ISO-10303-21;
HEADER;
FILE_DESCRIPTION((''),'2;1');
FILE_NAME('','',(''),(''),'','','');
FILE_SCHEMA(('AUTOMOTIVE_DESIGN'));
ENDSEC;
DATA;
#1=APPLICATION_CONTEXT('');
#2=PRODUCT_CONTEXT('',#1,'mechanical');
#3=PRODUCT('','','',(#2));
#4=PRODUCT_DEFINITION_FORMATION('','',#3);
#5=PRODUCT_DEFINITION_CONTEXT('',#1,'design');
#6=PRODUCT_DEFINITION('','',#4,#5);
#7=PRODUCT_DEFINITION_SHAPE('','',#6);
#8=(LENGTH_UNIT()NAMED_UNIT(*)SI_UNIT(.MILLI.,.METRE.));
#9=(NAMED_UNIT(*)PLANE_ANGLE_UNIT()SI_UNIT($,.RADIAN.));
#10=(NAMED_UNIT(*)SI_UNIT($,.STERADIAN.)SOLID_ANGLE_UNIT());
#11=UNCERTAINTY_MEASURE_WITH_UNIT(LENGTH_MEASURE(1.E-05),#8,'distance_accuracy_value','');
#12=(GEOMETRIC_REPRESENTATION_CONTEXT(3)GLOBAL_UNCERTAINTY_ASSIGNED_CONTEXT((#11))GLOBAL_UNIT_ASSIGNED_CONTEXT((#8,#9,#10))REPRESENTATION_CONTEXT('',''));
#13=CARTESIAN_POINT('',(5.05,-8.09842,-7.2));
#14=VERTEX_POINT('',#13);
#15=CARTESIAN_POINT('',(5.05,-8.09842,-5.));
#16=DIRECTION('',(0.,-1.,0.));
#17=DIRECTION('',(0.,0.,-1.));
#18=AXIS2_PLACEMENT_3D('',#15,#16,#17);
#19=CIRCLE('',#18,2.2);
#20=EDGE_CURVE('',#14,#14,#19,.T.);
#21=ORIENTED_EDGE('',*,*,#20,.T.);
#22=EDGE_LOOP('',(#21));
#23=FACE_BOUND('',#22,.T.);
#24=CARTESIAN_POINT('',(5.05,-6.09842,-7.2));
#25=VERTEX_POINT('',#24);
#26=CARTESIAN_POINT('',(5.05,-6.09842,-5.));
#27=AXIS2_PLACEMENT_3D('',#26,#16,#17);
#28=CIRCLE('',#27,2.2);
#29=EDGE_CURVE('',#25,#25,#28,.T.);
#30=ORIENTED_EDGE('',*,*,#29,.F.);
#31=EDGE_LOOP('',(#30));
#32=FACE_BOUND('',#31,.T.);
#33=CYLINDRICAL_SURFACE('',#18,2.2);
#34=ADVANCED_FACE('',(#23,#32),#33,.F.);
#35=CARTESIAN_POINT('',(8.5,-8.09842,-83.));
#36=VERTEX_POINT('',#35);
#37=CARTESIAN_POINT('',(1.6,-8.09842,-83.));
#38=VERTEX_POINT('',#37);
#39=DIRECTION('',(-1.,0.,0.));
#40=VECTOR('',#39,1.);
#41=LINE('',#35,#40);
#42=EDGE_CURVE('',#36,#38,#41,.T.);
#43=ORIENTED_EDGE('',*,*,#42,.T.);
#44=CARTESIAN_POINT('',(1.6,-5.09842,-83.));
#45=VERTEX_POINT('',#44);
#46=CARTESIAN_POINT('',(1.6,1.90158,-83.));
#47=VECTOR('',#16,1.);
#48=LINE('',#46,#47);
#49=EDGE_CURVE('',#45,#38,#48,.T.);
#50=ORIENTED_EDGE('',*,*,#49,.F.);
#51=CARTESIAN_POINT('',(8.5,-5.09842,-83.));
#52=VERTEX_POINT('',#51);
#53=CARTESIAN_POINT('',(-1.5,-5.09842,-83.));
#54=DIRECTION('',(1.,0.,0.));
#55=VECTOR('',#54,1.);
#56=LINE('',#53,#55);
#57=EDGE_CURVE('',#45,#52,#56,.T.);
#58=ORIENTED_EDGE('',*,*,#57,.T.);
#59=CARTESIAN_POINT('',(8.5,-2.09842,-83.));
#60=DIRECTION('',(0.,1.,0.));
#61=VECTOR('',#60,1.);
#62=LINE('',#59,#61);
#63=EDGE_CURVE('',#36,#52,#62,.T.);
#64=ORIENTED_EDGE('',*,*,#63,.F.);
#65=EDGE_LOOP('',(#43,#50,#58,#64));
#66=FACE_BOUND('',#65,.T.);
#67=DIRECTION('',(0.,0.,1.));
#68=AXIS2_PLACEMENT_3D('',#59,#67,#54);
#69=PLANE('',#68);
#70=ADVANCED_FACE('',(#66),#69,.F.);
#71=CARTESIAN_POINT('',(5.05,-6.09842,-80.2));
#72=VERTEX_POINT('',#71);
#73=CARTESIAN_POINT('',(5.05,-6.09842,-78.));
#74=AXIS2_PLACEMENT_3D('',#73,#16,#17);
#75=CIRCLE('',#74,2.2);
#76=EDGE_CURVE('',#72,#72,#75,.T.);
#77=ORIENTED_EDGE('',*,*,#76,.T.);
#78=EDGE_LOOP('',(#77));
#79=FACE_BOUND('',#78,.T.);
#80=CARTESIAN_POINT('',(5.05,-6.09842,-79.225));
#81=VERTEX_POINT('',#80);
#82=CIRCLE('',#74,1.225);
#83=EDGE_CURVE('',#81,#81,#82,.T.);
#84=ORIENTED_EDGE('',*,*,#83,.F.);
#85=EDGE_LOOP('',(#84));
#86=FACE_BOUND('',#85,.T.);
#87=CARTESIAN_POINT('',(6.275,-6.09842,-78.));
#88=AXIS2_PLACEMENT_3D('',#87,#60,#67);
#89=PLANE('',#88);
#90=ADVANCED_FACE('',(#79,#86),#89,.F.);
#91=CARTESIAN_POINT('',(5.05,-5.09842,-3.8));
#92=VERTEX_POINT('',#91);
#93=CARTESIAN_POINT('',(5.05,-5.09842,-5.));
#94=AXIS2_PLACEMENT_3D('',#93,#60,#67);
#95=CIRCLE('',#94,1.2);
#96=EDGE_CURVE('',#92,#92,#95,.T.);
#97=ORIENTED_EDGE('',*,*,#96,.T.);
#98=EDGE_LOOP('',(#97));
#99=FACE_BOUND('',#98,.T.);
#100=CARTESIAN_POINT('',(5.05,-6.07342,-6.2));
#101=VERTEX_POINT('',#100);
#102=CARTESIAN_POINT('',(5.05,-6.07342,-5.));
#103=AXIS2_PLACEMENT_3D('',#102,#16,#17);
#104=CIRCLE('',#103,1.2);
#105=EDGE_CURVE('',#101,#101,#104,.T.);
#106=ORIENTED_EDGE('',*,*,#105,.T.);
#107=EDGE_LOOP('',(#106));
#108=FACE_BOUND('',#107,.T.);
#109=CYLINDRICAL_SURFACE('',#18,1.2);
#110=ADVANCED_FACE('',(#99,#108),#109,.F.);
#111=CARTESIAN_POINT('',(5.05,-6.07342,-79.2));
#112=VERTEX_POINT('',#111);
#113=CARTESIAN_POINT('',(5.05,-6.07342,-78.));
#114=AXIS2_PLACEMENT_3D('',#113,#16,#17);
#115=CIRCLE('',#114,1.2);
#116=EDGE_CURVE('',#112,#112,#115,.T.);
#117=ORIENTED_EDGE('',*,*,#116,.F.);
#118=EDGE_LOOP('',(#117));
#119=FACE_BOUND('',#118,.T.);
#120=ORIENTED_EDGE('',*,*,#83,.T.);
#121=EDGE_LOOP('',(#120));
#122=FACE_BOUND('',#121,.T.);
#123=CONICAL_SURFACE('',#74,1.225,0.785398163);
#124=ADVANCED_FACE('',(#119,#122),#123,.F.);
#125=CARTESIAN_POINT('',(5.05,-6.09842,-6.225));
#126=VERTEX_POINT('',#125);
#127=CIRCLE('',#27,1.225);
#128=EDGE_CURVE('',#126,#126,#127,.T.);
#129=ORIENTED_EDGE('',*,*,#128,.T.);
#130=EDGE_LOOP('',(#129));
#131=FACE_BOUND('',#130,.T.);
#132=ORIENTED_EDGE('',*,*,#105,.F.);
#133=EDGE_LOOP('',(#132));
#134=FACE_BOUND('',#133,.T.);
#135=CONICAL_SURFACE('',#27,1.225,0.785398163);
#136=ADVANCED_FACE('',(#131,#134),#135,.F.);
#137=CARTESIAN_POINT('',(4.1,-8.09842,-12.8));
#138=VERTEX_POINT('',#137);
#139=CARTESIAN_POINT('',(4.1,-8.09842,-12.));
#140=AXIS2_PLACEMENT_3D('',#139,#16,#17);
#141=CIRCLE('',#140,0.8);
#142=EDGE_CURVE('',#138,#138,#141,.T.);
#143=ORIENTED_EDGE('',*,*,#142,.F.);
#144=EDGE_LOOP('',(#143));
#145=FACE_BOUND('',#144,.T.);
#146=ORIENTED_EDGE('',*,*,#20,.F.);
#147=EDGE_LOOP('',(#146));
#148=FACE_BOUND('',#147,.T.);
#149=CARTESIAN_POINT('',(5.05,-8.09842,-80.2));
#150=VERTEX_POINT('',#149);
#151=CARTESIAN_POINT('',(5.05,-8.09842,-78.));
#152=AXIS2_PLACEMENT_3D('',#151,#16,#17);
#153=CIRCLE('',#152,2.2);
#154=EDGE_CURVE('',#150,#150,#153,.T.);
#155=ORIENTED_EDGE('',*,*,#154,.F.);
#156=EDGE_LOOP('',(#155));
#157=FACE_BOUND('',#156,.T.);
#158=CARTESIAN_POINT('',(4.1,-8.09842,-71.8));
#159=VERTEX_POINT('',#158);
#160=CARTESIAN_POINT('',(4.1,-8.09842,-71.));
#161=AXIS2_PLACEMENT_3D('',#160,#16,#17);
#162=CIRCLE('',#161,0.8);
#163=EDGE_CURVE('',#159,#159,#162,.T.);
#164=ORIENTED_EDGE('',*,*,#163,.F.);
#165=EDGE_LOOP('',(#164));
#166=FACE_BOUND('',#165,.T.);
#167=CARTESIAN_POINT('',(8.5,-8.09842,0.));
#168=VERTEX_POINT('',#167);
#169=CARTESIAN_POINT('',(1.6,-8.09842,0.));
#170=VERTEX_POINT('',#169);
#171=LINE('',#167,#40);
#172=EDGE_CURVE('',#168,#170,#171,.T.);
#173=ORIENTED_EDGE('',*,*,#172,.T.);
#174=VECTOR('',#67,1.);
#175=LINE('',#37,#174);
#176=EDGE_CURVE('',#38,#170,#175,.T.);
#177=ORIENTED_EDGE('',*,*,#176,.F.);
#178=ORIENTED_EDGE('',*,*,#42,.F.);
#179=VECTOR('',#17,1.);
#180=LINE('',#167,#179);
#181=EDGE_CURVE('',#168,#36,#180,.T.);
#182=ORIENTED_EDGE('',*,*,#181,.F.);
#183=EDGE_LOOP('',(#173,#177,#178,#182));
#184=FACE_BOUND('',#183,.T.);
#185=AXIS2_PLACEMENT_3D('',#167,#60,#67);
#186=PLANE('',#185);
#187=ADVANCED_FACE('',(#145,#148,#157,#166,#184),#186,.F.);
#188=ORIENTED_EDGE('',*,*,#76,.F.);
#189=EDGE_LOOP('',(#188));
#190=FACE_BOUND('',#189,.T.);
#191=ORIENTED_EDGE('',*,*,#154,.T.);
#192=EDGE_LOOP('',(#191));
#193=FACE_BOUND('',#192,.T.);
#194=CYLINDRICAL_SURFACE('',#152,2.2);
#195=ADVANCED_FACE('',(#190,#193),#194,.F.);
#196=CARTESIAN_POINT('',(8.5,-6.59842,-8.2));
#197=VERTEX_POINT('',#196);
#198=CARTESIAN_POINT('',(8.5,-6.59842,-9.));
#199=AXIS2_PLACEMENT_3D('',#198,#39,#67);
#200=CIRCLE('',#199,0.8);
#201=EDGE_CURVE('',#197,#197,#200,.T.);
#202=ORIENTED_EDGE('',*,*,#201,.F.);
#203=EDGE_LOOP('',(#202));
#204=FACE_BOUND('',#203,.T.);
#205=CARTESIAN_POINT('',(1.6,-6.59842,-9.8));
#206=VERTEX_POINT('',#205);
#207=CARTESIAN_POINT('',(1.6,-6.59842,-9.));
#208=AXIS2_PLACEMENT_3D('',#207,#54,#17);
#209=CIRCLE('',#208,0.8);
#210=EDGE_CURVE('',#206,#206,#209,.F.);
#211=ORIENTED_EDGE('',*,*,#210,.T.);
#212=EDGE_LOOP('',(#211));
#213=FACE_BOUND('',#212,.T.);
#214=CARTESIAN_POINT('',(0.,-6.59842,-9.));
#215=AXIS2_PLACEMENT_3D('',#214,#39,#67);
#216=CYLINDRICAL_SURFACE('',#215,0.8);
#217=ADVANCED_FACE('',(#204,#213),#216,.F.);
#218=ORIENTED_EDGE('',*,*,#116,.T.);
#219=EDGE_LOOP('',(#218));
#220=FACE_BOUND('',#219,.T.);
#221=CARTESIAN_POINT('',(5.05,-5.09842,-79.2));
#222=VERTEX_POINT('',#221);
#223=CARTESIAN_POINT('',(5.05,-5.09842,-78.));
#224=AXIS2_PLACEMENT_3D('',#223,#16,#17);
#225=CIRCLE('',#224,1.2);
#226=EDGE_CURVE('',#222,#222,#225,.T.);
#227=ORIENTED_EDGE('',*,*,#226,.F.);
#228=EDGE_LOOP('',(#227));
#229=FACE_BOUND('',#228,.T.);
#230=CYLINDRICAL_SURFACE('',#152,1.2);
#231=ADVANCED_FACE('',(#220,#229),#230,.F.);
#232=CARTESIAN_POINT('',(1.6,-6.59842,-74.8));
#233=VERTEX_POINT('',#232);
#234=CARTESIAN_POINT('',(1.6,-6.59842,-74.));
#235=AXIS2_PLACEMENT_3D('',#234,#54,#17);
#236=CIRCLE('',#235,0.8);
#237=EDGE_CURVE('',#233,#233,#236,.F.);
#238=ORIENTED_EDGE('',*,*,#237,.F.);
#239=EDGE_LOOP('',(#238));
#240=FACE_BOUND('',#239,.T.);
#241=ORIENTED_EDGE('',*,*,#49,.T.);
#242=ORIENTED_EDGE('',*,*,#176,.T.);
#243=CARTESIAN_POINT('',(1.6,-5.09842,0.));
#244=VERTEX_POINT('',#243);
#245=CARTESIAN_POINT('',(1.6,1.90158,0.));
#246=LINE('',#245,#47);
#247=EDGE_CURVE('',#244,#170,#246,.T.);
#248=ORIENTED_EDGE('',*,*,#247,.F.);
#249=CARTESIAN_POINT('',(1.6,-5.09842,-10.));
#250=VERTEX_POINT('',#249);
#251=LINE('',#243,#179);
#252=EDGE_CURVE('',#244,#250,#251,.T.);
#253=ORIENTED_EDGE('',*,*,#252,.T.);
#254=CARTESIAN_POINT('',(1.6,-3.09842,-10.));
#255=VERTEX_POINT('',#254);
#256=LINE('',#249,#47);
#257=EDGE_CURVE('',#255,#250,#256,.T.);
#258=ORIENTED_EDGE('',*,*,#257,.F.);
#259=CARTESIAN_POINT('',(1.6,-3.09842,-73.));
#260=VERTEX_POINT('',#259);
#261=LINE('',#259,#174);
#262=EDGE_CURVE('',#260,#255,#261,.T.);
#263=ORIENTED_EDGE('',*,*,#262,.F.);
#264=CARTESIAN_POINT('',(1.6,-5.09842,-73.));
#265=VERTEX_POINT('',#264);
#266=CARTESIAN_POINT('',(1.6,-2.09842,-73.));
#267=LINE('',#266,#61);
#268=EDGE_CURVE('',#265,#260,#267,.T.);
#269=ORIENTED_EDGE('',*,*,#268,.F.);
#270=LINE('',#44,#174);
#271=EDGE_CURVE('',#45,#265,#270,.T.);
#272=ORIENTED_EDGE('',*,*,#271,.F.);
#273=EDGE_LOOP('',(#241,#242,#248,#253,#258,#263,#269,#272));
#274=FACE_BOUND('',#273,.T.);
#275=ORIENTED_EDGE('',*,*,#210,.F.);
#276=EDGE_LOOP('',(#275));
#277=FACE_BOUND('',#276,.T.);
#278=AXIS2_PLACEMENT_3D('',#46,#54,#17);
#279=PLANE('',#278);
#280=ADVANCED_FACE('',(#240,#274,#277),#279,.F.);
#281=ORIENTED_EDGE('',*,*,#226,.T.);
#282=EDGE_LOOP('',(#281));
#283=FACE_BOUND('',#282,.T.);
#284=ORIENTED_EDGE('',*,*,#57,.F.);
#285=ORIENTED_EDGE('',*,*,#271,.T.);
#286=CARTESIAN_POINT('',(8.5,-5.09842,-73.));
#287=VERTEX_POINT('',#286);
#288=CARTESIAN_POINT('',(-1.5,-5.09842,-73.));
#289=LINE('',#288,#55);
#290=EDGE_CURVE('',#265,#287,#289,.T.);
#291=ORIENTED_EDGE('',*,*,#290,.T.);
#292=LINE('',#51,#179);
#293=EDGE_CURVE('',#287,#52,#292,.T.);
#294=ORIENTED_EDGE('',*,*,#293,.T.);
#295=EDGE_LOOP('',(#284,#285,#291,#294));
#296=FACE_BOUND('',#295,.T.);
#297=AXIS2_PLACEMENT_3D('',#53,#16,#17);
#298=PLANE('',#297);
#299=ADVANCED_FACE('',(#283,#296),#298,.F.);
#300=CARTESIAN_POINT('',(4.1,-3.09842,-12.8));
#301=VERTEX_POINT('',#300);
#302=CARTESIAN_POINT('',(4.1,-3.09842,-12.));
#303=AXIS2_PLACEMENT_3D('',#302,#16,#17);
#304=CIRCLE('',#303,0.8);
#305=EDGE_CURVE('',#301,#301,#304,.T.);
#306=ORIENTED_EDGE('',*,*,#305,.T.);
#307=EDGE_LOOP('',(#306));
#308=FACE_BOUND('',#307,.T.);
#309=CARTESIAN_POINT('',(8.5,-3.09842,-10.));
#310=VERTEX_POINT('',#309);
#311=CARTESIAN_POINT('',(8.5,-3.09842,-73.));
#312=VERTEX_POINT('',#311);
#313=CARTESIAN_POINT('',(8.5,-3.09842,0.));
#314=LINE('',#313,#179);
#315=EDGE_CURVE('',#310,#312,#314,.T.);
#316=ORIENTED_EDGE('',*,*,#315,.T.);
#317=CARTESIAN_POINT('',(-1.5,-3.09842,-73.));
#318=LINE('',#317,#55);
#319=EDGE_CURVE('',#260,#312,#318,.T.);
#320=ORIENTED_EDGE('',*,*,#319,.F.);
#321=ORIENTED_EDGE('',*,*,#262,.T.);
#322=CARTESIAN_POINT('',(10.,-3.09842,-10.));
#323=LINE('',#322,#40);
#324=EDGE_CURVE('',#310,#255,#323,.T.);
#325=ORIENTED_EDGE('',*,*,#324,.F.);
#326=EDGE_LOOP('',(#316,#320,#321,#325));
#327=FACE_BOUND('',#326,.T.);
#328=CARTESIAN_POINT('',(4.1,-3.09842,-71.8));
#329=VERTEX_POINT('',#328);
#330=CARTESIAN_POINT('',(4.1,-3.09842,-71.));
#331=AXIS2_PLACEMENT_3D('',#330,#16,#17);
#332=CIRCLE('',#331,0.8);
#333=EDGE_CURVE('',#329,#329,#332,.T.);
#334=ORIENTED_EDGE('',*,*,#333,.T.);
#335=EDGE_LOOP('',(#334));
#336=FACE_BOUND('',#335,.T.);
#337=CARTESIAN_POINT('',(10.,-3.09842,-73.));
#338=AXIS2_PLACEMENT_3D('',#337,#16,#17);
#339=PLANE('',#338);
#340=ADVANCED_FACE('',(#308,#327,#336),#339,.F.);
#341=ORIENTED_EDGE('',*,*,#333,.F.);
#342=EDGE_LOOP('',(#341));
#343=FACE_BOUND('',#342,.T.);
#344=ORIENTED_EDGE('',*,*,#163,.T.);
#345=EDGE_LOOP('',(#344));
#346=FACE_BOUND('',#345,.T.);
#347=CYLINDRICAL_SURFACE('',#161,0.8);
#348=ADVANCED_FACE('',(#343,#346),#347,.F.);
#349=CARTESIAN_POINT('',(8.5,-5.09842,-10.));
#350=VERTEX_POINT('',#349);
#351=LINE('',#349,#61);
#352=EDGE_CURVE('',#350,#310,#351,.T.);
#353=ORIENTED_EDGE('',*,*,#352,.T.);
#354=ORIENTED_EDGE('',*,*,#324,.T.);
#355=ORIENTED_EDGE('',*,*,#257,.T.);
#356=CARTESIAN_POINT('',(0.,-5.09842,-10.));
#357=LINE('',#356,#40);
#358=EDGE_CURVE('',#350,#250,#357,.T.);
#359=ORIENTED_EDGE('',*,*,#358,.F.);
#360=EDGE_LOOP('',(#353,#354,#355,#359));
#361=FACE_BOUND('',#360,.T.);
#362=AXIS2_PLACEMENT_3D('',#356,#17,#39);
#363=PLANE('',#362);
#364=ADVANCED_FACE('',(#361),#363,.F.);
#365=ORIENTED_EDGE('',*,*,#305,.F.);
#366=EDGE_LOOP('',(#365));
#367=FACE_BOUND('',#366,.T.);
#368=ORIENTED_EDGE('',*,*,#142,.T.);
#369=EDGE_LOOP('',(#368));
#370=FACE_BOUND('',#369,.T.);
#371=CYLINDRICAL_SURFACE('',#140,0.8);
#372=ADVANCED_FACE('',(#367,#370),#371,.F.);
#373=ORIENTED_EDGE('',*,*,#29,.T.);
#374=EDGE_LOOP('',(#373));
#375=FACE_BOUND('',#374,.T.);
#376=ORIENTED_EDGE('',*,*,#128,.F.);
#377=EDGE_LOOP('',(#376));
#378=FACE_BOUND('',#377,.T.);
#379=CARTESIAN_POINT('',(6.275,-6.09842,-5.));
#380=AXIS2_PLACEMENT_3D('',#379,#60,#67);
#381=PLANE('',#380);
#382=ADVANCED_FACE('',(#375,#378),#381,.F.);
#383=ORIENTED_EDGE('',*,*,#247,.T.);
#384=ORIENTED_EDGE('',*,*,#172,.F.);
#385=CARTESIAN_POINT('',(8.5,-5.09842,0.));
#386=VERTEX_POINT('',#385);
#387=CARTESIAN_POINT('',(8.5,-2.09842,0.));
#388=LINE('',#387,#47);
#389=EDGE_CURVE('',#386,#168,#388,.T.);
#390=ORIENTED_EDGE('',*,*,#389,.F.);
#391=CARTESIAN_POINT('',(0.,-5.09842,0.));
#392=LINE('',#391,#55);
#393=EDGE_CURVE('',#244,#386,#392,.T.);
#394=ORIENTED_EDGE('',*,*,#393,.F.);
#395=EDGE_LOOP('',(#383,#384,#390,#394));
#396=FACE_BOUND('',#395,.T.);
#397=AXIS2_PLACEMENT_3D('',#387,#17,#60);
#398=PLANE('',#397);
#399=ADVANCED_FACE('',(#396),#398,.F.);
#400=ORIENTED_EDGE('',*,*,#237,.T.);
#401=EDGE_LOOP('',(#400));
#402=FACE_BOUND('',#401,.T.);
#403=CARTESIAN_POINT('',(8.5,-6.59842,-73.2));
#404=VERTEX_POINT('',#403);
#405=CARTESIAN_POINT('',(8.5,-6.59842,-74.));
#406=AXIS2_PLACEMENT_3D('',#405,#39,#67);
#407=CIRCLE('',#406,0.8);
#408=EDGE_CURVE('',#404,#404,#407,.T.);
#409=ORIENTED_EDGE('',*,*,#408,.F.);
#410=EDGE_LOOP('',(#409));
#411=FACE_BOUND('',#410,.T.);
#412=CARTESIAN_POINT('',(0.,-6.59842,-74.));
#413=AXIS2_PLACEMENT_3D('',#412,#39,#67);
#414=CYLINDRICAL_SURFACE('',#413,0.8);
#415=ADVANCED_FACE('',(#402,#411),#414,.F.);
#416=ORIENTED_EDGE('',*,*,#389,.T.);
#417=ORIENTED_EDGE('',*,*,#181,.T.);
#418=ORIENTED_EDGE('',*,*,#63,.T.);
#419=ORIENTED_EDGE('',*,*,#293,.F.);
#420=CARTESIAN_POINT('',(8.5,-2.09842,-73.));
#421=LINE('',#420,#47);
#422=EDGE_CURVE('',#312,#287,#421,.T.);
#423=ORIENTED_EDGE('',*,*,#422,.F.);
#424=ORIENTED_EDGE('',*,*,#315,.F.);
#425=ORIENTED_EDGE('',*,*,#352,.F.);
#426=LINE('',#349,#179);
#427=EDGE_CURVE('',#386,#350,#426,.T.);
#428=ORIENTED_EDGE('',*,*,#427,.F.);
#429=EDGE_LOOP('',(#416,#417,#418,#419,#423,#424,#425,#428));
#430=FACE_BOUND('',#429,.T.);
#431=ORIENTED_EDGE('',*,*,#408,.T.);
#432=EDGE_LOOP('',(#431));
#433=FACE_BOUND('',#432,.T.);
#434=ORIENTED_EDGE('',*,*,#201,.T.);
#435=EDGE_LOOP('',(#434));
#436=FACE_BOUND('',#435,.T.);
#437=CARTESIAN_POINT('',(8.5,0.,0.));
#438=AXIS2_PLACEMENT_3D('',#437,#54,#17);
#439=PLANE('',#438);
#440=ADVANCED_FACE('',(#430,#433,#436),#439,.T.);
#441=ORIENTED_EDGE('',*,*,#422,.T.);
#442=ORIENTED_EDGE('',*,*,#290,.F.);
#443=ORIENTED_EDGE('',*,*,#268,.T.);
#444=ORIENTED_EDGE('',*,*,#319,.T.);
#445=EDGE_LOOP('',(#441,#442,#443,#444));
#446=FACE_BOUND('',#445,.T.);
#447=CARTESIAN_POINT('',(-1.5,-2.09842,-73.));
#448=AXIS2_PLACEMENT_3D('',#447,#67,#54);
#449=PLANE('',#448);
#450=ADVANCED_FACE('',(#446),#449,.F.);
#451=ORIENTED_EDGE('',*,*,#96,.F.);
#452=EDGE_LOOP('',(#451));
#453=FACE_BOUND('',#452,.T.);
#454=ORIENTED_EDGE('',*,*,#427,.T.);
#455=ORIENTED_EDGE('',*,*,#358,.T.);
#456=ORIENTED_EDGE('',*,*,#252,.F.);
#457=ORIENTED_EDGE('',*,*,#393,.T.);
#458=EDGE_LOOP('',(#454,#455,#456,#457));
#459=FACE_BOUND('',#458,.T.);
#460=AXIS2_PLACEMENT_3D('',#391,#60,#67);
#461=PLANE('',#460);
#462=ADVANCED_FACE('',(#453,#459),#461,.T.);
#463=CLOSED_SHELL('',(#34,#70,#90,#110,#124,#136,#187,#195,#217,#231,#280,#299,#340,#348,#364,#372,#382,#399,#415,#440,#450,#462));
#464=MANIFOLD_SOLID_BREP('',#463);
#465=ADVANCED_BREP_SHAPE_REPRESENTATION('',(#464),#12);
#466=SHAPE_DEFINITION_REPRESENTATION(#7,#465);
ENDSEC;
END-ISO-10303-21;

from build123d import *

# Parameters (mm, degrees)
SKETCH1_W                                      = 83
SKETCH1_H                                      = 6
BOSS_EXTRUDE1_DEPTH                            = 8.5
SKETCH7_W                                      = 8.5
SKETCH7_H                                      = 10
CUT_EXTRUDE6_DEPTH                             = 3
SKETCH18_W                                     = 10
SKETCH18_H                                     = 3
CUT_EXTRUDE8_DEPTH                             = 10
SKETCH21_W                                     = 63
SKETCH21_H                                     = 1
CUT_EXTRUDE9_DEPTH                             = 10
M2X0_4_TAPPED_HOLE3_D                          = 1.6
SKETCH27_W                                     = 1.6
SKETCH27_H                                     = 83
CUT_EXTRUDE12_DEPTH                            = 10
CBORE_FOR_M2_SOCKET_HEAD_CAP_SCREW1_AT_2_COUNT = 2
CBORE_FOR_M2_SOCKET_HEAD_CAP_SCREW1_AT_2_PITCH = 73
M2X0_4_TAPPED_HOLE2_D                          = 1.6


with BuildPart() as part:
    # Sketch1 → Boss-Extrude1 (new body)
    with BuildSketch(Plane(origin=(0, 0, 0), x_dir=(0, 0, -1), z_dir=(1, 0, 0))):
        with Locations((41.5, -5.098419508)):
            Rectangle(SKETCH1_W, SKETCH1_H)
    extrude(amount=BOSS_EXTRUDE1_DEPTH)

    # Sketch7 → Cut-Extrude6 (cut)
    with BuildSketch(Plane(origin=(0, -2.098419508, 0), x_dir=(1, 0, 0), z_dir=(0, 1, 0))):
        with Locations((4.25, 5)):
            Rectangle(SKETCH7_W, SKETCH7_H)
    extrude(amount=-CUT_EXTRUDE6_DEPTH, mode=Mode.SUBTRACT)

    # Sketch18 → Cut-Extrude8 (cut)
    with BuildSketch(Plane(origin=(8.5, 0, 0), x_dir=(0, 0, -1), z_dir=(1, 0, 0))):
        with Locations((78, -3.598419508)):
            Rectangle(SKETCH18_W, SKETCH18_H)
    extrude(amount=-CUT_EXTRUDE8_DEPTH, mode=Mode.SUBTRACT)

    # Sketch21 → Cut-Extrude9 (cut)
    with BuildSketch(Plane.ZY):
        with Locations((-41.5, -2.598419508)):
            Rectangle(SKETCH21_W, SKETCH21_H)
    extrude(amount=-CUT_EXTRUDE9_DEPTH, mode=Mode.SUBTRACT)

    # M2x0.4 Tapped Hole3 (through all)
    with Locations(Plane.ZY):
        with Locations((-74, -6.598419508), (-9, -6.598419508)):
            Hole(M2X0_4_TAPPED_HOLE3_D / 2)

    # Sketch27 → Cut-Extrude12 (cut)
    with BuildSketch(Plane.XZ.offset(8.098419508)):
        with Locations((0.8, -41.5)):
            Rectangle(SKETCH27_W, SKETCH27_H)
    extrude(amount=-CUT_EXTRUDE12_DEPTH, mode=Mode.SUBTRACT)

    # Sketch31 → CBORE for M2 Socket Head Cap Screw1 (revolve, cut)
    with BuildSketch(Plane(origin=(5.05, -8.098419508, -5), x_dir=(0, 0, -1), z_dir=(1, 0, 0))):
        Polygon((0, 0), (0, 5), (1.2, 5), (1.2, 2.025), (1.225, 2), (2.2, 2), (2.2, 0), align=None)
    cbore_for_m2_socket_head_cap_screw1 = revolve(axis=Axis((5.05, -14.448419508, -5), (0, 1, 0)), mode=Mode.SUBTRACT)

    # CBORE for M2 Socket Head Cap Screw1 at 2: CBORE for M2 Socket Head Cap Screw1 ×2
    with Locations(*[(0, 0, -i * CBORE_FOR_M2_SOCKET_HEAD_CAP_SCREW1_AT_2_PITCH) for i in range(1, CBORE_FOR_M2_SOCKET_HEAD_CAP_SCREW1_AT_2_COUNT)]):
        add(cbore_for_m2_socket_head_cap_screw1, mode=Mode.SUBTRACT)

    # M2x0.4 Tapped Hole2 (through all)
    with Locations(Plane(origin=(0, -8.098419508, 0), x_dir=(-1, 0, 0), z_dir=(0, -1, 0))):
        with Locations((-4.1, 71), (-4.1, 12)):
            Hole(M2X0_4_TAPPED_HOLE2_D / 2)


solid = part.part
